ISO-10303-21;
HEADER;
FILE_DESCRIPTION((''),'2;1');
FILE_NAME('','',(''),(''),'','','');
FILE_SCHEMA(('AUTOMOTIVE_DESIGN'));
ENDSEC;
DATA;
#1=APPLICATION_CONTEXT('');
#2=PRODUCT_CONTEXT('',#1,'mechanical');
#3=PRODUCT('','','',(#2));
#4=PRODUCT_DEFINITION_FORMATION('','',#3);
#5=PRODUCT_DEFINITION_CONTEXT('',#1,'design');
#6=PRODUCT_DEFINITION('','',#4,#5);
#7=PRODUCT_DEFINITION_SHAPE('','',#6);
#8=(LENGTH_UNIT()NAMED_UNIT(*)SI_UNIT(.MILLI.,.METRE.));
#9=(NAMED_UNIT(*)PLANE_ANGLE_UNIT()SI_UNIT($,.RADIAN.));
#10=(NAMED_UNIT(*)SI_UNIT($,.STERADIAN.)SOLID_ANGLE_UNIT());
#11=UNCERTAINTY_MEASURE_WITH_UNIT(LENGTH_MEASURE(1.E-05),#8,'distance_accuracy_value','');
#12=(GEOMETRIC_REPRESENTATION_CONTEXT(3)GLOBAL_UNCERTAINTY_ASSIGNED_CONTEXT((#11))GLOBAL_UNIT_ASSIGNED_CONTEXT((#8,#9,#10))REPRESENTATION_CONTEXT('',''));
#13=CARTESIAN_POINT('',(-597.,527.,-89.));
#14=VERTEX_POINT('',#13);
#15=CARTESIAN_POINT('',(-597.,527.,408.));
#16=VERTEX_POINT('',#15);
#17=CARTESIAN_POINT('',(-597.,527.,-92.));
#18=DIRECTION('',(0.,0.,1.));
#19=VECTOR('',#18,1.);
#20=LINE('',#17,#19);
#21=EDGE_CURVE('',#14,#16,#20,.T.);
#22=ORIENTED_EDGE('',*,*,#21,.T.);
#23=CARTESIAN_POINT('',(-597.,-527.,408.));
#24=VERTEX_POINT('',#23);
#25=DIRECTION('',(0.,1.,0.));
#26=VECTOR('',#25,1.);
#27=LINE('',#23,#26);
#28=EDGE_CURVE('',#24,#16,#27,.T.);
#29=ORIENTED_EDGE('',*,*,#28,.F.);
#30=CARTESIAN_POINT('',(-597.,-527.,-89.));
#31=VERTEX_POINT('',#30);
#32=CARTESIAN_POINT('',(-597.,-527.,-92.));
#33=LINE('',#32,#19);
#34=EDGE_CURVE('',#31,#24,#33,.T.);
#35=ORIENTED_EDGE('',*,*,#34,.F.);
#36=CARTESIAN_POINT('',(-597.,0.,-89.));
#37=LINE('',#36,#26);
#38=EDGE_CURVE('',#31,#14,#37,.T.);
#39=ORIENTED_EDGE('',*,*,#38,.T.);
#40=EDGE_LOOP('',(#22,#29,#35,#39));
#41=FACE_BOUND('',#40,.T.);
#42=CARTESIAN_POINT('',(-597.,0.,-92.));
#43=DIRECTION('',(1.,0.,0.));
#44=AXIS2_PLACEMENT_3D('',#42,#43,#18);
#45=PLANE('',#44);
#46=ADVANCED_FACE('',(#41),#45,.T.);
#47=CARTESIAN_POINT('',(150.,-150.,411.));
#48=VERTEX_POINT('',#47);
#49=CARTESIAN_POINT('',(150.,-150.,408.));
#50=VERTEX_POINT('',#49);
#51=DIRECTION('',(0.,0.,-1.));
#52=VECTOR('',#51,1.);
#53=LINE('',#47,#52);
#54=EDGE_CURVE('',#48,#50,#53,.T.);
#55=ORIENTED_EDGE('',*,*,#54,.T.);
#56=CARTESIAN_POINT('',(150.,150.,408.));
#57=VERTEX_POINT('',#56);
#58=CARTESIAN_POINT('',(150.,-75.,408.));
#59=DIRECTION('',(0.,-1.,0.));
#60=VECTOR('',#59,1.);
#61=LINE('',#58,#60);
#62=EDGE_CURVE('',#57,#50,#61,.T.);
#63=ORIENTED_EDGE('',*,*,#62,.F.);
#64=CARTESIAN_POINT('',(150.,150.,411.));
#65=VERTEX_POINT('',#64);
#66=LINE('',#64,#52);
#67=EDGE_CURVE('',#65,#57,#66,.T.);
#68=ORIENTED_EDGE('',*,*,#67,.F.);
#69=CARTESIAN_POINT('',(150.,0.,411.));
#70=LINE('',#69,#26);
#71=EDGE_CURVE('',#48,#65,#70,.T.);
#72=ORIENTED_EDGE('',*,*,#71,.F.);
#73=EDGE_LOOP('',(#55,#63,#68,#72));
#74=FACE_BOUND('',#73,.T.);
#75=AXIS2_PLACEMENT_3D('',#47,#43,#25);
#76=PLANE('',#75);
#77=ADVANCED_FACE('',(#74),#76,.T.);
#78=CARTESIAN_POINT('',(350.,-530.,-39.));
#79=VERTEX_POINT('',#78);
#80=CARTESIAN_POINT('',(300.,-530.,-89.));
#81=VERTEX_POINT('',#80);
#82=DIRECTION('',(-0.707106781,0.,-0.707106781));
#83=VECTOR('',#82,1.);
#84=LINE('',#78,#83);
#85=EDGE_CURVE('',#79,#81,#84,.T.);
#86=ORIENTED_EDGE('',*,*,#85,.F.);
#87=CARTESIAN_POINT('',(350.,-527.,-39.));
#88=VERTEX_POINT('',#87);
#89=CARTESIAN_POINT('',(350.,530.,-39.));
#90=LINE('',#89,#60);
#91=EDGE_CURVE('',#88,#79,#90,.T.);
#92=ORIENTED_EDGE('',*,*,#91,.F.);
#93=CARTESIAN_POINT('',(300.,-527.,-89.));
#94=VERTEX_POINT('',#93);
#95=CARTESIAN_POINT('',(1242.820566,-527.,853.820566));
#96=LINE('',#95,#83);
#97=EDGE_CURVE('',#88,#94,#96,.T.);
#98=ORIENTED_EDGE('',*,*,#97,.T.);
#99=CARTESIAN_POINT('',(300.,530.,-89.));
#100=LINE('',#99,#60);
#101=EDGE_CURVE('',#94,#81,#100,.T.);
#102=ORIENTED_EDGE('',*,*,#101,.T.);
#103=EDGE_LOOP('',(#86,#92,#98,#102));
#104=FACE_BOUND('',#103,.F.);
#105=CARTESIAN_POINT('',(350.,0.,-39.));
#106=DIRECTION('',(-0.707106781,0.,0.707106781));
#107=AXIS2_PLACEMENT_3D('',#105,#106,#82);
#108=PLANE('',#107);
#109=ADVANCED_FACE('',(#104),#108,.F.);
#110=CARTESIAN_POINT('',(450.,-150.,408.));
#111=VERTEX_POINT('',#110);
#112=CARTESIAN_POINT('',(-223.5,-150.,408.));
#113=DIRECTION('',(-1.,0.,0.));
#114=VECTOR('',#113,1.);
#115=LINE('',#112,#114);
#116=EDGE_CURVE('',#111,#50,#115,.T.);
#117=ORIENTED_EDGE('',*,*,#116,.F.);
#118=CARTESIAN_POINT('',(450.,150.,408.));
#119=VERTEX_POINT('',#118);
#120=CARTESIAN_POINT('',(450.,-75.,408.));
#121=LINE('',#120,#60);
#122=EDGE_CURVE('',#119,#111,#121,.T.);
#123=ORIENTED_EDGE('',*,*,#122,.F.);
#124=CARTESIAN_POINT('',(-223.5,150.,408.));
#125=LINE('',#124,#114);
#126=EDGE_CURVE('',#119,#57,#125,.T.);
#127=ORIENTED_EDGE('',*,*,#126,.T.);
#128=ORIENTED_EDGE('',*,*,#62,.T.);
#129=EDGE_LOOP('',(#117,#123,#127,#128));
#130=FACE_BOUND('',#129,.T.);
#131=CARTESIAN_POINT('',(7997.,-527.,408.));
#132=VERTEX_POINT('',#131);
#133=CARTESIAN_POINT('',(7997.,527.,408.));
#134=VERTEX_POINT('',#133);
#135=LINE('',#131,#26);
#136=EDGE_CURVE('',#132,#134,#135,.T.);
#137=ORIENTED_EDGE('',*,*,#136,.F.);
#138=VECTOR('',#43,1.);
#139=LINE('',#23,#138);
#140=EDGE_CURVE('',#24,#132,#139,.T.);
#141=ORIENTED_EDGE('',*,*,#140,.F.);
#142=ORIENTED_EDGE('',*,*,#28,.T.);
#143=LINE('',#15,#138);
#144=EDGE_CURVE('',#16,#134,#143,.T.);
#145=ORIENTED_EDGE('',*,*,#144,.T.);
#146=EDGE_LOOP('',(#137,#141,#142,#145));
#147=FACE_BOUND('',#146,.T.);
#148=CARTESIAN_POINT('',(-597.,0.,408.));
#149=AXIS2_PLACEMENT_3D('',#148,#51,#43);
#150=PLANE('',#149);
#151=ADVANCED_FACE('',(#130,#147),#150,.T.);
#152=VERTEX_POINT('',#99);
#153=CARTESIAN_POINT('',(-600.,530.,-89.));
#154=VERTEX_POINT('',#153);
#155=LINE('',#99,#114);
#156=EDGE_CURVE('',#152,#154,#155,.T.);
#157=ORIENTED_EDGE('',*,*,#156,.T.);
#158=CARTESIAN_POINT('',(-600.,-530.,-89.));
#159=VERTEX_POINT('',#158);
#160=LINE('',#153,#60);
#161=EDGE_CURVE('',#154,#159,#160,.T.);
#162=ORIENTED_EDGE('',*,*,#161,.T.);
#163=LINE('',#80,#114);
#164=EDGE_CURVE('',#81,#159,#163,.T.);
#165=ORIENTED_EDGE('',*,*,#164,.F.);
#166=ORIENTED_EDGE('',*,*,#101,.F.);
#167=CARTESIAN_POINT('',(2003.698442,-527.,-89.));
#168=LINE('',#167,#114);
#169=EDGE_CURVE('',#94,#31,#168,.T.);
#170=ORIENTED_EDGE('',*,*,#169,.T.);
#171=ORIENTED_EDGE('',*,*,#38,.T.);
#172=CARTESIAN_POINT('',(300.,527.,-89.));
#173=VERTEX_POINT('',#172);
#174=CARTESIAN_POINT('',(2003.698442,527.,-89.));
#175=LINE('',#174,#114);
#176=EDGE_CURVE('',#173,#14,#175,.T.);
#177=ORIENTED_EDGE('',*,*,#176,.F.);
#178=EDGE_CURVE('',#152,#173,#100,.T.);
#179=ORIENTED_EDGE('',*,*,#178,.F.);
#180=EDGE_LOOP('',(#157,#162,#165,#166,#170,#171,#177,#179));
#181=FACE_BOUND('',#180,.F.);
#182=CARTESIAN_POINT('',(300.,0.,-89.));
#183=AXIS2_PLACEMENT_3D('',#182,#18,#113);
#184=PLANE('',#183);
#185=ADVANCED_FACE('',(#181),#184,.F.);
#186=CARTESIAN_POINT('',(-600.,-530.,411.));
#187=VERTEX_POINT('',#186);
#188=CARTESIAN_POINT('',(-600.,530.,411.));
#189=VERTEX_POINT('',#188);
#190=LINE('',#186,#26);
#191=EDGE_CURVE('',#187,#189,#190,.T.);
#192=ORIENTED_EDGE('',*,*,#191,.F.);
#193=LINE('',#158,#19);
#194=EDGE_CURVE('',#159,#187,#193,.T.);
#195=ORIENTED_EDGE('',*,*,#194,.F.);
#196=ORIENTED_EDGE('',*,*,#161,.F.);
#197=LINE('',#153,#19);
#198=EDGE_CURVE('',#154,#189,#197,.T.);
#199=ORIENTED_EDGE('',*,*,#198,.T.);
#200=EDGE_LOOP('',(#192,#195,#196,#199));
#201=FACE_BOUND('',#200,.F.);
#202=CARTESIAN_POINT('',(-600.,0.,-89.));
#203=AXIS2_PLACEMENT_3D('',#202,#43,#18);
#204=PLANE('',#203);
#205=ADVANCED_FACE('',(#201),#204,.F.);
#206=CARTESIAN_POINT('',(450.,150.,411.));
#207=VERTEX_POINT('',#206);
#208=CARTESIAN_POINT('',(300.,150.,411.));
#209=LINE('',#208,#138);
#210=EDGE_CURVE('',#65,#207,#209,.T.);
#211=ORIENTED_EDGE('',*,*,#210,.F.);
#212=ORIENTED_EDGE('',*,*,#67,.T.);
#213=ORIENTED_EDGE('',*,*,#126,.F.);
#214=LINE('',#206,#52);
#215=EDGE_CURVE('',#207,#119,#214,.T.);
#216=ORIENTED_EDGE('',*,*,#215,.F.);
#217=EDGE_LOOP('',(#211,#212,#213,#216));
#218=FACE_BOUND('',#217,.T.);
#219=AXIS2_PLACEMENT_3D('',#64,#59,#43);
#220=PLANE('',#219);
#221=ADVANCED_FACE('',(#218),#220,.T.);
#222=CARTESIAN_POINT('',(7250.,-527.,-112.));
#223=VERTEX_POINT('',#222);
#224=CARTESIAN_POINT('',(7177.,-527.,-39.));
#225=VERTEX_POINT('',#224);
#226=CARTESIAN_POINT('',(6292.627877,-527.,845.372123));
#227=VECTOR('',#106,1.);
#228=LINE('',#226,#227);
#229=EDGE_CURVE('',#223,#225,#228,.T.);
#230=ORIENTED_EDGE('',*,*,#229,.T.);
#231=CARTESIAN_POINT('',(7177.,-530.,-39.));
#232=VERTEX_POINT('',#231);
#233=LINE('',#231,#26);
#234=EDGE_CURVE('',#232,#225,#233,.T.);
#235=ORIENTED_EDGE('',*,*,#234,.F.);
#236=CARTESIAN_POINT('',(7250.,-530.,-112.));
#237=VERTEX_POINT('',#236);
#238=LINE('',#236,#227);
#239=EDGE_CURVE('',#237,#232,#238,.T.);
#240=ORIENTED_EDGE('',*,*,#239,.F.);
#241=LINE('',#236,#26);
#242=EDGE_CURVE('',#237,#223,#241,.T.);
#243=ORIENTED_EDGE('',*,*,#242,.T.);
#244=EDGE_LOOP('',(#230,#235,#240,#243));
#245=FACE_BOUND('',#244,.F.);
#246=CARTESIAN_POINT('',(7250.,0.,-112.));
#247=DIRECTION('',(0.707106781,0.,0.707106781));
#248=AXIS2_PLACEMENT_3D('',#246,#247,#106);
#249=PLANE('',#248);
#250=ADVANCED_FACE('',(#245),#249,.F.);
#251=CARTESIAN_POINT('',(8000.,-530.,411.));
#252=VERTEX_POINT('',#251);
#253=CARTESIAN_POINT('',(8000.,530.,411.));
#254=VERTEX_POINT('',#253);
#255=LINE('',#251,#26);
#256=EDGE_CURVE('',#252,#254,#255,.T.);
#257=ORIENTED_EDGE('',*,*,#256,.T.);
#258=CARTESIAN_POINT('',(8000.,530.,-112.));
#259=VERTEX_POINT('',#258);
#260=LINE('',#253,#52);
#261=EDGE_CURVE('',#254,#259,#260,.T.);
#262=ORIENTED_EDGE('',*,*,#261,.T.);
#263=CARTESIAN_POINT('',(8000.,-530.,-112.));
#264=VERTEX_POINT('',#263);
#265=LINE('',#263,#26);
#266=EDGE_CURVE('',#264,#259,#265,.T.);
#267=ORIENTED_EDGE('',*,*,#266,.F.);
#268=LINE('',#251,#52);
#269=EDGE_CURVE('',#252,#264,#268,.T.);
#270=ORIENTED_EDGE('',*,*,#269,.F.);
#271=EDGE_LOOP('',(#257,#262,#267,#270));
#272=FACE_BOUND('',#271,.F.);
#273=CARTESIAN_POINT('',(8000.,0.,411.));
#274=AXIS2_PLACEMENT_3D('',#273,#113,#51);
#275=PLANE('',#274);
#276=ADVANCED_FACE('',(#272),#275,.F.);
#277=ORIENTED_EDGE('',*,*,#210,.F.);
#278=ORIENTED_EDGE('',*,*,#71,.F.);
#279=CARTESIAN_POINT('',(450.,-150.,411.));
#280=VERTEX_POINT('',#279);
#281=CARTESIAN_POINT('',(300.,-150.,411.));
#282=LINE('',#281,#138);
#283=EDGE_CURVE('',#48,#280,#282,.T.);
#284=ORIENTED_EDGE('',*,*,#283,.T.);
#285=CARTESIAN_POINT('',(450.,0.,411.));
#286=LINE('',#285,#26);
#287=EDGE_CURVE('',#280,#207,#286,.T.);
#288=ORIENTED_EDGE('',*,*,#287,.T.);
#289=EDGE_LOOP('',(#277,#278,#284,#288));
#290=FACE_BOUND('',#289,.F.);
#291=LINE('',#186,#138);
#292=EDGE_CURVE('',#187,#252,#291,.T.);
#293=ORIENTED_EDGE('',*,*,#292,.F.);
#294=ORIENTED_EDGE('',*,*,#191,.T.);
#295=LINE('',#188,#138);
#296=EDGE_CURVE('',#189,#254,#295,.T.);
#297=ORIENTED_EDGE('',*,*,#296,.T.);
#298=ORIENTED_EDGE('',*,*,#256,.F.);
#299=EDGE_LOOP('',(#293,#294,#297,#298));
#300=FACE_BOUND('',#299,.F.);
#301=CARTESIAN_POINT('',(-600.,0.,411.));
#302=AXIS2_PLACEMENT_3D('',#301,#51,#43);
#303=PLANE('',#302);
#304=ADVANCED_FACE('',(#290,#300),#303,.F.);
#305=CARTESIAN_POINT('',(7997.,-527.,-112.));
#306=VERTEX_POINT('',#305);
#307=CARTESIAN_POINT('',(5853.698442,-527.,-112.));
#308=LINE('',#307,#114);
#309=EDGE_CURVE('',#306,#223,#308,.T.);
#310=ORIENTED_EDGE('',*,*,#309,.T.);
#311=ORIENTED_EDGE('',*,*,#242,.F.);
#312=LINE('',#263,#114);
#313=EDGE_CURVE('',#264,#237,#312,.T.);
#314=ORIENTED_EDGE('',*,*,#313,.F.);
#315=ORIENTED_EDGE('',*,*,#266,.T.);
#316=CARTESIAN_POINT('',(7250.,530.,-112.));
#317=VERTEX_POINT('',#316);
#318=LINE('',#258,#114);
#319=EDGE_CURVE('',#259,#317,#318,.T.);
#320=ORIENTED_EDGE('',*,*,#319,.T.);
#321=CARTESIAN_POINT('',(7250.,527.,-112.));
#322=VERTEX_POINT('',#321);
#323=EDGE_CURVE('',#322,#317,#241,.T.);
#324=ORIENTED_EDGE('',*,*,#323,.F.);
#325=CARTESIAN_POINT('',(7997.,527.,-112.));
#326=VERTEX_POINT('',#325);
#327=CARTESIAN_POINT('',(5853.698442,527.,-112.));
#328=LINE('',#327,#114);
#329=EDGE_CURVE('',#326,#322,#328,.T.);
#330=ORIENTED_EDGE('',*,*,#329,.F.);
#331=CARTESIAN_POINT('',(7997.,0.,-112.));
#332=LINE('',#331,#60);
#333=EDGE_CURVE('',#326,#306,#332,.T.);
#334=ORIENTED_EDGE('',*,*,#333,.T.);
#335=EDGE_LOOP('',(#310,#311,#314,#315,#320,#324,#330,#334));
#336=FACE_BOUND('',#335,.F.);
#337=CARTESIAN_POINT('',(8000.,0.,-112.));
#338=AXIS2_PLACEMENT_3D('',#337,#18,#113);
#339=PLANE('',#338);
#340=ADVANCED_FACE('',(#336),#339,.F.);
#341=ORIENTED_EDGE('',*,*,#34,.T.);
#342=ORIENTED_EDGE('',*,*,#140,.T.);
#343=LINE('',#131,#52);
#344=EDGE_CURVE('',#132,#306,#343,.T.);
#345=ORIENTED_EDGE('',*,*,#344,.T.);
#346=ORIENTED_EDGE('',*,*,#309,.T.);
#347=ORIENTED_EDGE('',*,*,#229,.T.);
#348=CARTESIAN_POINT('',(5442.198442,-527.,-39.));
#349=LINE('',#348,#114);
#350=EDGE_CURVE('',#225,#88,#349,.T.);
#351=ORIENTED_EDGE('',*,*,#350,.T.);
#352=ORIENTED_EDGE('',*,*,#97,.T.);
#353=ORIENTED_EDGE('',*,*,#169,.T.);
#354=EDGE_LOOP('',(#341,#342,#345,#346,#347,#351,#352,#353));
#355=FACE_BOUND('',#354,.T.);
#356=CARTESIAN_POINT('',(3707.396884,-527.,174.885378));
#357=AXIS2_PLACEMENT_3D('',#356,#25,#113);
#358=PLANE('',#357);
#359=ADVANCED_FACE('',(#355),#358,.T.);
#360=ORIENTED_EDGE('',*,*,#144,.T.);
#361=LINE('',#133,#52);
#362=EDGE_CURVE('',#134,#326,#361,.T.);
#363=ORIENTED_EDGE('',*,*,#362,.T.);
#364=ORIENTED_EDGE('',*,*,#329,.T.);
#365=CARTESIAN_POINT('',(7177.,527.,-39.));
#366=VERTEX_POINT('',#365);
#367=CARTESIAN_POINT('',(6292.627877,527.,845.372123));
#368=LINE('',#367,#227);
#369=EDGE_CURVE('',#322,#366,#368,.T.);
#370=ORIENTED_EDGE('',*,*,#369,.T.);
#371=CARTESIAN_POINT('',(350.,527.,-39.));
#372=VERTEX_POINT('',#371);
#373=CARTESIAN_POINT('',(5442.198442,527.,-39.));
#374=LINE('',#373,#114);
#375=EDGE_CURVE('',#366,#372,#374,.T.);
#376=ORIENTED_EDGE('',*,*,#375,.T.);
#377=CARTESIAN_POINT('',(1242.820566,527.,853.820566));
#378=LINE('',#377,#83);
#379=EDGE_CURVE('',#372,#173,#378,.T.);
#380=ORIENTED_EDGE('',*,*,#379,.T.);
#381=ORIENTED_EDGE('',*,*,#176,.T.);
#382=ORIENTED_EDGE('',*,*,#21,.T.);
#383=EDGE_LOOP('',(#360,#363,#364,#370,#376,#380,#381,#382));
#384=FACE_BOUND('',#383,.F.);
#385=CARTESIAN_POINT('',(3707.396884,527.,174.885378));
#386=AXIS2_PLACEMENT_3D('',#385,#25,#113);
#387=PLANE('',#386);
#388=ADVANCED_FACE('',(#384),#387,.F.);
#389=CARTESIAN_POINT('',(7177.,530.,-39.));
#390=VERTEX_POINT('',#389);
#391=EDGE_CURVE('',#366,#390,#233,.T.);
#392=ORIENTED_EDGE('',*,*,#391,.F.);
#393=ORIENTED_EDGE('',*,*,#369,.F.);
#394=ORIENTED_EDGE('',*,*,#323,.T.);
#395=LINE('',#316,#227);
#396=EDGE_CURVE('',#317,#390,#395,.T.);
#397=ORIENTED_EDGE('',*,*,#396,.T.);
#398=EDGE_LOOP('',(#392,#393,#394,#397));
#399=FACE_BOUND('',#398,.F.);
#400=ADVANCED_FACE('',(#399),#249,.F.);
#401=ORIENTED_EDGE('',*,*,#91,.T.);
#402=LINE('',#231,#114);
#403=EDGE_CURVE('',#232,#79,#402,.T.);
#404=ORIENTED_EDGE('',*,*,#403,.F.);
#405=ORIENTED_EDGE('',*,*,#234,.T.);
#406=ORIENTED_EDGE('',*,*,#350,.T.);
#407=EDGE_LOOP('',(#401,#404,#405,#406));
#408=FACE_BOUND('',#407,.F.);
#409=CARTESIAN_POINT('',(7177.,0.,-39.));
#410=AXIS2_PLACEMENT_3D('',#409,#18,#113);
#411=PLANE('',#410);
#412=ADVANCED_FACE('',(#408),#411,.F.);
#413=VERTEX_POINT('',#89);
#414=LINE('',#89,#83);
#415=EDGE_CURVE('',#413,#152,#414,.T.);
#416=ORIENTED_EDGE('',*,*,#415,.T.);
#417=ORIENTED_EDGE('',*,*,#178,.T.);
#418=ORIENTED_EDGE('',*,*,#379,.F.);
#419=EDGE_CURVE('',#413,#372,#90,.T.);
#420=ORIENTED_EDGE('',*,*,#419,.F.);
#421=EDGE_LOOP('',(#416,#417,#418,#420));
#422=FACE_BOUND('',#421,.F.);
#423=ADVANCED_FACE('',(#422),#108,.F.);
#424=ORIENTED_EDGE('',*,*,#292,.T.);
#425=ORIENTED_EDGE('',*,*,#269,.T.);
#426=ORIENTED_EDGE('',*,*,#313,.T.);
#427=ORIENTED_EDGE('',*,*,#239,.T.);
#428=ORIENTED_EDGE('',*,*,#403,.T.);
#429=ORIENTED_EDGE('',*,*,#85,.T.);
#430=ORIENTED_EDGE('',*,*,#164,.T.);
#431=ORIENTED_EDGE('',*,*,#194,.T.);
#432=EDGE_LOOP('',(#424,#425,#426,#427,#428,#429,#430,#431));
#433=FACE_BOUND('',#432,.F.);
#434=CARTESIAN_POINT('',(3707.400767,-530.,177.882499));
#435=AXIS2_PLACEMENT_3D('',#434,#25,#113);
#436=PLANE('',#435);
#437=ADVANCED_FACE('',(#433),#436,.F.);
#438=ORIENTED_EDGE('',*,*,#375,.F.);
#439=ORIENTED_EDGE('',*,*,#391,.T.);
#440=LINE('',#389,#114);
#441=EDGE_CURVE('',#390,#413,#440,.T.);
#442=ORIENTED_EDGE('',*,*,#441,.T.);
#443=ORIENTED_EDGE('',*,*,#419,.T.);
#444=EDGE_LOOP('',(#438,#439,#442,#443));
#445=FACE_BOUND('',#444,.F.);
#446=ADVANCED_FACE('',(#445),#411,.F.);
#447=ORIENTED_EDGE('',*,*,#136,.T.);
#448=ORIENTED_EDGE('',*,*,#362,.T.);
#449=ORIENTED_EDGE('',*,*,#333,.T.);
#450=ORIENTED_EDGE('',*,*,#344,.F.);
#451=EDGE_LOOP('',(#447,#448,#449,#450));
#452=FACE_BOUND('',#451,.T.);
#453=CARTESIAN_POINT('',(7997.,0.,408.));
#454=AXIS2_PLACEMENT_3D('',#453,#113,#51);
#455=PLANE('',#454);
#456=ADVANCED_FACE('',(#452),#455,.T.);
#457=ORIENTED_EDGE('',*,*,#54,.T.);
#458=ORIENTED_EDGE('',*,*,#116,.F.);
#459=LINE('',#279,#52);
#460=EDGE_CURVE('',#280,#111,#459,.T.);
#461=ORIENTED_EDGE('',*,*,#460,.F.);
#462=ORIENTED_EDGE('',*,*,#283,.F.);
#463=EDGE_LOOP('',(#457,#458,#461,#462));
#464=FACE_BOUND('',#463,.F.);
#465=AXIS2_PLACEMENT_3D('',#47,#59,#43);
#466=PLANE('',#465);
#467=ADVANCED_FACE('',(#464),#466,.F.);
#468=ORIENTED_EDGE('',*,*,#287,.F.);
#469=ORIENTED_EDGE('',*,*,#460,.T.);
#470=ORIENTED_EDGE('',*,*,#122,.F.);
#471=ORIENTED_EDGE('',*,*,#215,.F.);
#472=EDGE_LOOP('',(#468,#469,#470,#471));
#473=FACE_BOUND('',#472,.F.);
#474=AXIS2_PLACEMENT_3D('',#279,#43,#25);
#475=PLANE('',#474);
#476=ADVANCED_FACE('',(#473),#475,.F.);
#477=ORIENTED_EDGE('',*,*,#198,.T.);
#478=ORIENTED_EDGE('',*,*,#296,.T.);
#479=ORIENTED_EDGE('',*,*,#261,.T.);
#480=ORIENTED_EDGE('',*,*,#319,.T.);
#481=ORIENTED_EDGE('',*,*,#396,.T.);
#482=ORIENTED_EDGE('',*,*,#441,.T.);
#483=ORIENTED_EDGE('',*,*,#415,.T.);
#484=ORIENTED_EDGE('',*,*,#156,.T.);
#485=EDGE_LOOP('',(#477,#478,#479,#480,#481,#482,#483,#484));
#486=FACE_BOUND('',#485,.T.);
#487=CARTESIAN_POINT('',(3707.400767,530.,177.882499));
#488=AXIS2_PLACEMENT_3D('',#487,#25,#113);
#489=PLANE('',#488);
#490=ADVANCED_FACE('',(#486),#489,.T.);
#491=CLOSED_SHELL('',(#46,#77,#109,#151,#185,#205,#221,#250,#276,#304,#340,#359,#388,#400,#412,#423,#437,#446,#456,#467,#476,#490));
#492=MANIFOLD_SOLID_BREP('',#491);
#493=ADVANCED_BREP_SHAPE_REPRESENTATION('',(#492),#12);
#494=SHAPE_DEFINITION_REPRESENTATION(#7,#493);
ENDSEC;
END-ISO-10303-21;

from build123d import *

# Parameters (mm, degrees)
SKETCH_W         = 300
SKETCH_H         = 300
EXTRUDE_DEPTH    = 10
EXTRUDE033_DEPTH = 527
EXTRUDE012_DEPTH = 530


with BuildPart() as extrude_body:
    # Sketch (on Face3 of Cut003) → Extrude (new body)
    with BuildSketch(Plane.XY.offset(411)):
        with Locations((300, 0)):
            Rectangle(SKETCH_W, SKETCH_H)
    extrude(amount=-EXTRUDE_DEPTH)


with BuildPart() as extrude033:
    # Sketch034 → Extrude033 (new body, symmetric)
    with BuildSketch(Plane.XZ):
        Polygon((-597, -89), (-597, 411), (7997, 411), (7997, -112), (7247, -112), (7174, -39), (350, -39), (300, -89), align=None)
    extrude(amount=EXTRUDE033_DEPTH, both=True)


with BuildPart() as extrude033_1:
    # Extrude033 placement: moved
    add(extrude033.part.moved(Location((0, 0, -3))))


with BuildPart() as cut:
    # Sketch020 → Extrude012 (new body, symmetric)
    with BuildSketch(Plane.XZ):
        Polygon((-600, -89), (-600, 411), (8000, 411), (8000, -112), (7250, -112), (7177, -39), (350, -39), (300, -89), align=None)
    extrude(amount=EXTRUDE012_DEPTH, both=True)

    # Cut003: cut Extrude033
    add(extrude033_1.part, mode=Mode.SUBTRACT)

    # Cut: cut Extrude body
    add(extrude_body.part, mode=Mode.SUBTRACT)


solid = cut.part
